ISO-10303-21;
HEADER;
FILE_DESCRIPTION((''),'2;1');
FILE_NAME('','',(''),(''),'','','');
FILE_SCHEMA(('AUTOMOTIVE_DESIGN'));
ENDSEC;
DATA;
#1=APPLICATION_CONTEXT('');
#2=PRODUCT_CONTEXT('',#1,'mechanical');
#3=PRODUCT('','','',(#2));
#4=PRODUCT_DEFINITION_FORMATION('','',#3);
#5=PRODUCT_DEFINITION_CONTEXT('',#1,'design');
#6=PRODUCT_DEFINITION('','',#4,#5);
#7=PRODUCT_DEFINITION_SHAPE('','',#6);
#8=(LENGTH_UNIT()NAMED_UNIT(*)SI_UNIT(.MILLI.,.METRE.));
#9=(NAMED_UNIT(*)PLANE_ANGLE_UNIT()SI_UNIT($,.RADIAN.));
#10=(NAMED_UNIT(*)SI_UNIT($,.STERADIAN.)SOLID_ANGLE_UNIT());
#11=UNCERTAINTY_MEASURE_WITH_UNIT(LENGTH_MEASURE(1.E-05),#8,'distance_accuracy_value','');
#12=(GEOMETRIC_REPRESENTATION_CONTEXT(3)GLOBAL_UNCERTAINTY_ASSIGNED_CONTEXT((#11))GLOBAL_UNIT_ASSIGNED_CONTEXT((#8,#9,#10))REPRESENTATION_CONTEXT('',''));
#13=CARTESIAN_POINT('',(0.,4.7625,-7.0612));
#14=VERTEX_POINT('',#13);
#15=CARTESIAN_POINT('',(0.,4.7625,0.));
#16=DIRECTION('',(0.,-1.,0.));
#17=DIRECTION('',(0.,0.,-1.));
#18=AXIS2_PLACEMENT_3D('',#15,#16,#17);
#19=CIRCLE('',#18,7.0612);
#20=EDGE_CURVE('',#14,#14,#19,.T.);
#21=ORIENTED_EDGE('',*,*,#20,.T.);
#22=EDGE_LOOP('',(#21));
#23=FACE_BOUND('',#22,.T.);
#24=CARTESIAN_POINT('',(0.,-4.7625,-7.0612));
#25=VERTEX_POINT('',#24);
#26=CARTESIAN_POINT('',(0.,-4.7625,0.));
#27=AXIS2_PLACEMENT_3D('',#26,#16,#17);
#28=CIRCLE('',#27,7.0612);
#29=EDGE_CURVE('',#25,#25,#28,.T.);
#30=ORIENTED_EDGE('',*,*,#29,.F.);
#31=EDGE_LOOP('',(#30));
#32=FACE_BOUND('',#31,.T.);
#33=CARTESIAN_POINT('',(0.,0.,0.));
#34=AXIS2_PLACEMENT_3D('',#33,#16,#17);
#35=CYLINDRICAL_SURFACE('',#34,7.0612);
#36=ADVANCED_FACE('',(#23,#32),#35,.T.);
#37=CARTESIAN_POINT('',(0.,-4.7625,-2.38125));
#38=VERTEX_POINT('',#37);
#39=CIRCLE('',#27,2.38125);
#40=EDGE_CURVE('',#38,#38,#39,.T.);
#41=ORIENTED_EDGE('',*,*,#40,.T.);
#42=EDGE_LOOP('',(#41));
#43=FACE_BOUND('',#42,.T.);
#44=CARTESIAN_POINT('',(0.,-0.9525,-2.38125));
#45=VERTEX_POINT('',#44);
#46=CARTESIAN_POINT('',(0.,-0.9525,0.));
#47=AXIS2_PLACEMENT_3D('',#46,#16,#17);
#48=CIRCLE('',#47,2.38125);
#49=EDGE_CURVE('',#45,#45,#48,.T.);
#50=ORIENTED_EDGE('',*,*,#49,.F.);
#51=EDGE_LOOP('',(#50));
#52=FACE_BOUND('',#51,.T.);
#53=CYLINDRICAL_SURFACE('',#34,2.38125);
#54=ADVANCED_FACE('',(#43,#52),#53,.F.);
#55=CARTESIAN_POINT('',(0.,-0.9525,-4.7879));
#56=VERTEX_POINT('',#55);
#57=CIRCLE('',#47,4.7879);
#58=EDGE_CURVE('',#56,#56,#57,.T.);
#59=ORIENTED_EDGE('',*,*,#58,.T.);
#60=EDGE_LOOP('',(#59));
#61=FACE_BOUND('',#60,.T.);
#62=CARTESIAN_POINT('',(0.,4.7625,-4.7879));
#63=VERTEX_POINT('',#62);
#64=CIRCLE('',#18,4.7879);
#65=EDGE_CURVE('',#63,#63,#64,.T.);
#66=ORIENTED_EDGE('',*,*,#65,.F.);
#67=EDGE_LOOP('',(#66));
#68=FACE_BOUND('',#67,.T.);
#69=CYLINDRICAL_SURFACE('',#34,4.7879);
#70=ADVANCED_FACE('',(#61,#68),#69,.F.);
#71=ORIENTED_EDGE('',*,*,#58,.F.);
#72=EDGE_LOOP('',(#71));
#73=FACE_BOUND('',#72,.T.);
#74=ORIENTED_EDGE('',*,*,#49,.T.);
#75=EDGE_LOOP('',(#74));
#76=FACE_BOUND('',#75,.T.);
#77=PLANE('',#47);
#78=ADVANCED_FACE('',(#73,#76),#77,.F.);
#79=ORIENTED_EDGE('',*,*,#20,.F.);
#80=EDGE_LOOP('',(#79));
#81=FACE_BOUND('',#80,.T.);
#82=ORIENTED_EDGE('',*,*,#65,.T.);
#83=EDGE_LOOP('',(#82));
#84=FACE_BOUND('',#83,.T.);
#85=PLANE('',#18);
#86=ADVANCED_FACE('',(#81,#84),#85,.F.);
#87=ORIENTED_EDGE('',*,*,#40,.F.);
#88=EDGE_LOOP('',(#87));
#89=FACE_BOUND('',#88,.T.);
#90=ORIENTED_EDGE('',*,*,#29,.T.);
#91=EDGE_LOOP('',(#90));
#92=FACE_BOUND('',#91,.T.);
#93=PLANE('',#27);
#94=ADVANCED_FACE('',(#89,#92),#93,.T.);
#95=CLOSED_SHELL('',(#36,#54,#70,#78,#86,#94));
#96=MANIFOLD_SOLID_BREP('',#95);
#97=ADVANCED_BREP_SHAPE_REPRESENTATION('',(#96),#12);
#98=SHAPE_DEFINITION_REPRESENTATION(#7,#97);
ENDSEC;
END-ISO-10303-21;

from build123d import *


with BuildPart() as part:
    # Sketch2 → Revolve1 (revolve)
    with BuildSketch(Plane.XY):
        Polygon((2.38125, -0.9525), (2.38125, -4.7625), (7.0612, -4.7625), (7.0612, 4.7625), (4.7879, 4.7625), (4.7879, -0.9525), align=None)
    revolve(axis=Axis((0, 0, 0), (0, 1, 0)))


solid = part.part
